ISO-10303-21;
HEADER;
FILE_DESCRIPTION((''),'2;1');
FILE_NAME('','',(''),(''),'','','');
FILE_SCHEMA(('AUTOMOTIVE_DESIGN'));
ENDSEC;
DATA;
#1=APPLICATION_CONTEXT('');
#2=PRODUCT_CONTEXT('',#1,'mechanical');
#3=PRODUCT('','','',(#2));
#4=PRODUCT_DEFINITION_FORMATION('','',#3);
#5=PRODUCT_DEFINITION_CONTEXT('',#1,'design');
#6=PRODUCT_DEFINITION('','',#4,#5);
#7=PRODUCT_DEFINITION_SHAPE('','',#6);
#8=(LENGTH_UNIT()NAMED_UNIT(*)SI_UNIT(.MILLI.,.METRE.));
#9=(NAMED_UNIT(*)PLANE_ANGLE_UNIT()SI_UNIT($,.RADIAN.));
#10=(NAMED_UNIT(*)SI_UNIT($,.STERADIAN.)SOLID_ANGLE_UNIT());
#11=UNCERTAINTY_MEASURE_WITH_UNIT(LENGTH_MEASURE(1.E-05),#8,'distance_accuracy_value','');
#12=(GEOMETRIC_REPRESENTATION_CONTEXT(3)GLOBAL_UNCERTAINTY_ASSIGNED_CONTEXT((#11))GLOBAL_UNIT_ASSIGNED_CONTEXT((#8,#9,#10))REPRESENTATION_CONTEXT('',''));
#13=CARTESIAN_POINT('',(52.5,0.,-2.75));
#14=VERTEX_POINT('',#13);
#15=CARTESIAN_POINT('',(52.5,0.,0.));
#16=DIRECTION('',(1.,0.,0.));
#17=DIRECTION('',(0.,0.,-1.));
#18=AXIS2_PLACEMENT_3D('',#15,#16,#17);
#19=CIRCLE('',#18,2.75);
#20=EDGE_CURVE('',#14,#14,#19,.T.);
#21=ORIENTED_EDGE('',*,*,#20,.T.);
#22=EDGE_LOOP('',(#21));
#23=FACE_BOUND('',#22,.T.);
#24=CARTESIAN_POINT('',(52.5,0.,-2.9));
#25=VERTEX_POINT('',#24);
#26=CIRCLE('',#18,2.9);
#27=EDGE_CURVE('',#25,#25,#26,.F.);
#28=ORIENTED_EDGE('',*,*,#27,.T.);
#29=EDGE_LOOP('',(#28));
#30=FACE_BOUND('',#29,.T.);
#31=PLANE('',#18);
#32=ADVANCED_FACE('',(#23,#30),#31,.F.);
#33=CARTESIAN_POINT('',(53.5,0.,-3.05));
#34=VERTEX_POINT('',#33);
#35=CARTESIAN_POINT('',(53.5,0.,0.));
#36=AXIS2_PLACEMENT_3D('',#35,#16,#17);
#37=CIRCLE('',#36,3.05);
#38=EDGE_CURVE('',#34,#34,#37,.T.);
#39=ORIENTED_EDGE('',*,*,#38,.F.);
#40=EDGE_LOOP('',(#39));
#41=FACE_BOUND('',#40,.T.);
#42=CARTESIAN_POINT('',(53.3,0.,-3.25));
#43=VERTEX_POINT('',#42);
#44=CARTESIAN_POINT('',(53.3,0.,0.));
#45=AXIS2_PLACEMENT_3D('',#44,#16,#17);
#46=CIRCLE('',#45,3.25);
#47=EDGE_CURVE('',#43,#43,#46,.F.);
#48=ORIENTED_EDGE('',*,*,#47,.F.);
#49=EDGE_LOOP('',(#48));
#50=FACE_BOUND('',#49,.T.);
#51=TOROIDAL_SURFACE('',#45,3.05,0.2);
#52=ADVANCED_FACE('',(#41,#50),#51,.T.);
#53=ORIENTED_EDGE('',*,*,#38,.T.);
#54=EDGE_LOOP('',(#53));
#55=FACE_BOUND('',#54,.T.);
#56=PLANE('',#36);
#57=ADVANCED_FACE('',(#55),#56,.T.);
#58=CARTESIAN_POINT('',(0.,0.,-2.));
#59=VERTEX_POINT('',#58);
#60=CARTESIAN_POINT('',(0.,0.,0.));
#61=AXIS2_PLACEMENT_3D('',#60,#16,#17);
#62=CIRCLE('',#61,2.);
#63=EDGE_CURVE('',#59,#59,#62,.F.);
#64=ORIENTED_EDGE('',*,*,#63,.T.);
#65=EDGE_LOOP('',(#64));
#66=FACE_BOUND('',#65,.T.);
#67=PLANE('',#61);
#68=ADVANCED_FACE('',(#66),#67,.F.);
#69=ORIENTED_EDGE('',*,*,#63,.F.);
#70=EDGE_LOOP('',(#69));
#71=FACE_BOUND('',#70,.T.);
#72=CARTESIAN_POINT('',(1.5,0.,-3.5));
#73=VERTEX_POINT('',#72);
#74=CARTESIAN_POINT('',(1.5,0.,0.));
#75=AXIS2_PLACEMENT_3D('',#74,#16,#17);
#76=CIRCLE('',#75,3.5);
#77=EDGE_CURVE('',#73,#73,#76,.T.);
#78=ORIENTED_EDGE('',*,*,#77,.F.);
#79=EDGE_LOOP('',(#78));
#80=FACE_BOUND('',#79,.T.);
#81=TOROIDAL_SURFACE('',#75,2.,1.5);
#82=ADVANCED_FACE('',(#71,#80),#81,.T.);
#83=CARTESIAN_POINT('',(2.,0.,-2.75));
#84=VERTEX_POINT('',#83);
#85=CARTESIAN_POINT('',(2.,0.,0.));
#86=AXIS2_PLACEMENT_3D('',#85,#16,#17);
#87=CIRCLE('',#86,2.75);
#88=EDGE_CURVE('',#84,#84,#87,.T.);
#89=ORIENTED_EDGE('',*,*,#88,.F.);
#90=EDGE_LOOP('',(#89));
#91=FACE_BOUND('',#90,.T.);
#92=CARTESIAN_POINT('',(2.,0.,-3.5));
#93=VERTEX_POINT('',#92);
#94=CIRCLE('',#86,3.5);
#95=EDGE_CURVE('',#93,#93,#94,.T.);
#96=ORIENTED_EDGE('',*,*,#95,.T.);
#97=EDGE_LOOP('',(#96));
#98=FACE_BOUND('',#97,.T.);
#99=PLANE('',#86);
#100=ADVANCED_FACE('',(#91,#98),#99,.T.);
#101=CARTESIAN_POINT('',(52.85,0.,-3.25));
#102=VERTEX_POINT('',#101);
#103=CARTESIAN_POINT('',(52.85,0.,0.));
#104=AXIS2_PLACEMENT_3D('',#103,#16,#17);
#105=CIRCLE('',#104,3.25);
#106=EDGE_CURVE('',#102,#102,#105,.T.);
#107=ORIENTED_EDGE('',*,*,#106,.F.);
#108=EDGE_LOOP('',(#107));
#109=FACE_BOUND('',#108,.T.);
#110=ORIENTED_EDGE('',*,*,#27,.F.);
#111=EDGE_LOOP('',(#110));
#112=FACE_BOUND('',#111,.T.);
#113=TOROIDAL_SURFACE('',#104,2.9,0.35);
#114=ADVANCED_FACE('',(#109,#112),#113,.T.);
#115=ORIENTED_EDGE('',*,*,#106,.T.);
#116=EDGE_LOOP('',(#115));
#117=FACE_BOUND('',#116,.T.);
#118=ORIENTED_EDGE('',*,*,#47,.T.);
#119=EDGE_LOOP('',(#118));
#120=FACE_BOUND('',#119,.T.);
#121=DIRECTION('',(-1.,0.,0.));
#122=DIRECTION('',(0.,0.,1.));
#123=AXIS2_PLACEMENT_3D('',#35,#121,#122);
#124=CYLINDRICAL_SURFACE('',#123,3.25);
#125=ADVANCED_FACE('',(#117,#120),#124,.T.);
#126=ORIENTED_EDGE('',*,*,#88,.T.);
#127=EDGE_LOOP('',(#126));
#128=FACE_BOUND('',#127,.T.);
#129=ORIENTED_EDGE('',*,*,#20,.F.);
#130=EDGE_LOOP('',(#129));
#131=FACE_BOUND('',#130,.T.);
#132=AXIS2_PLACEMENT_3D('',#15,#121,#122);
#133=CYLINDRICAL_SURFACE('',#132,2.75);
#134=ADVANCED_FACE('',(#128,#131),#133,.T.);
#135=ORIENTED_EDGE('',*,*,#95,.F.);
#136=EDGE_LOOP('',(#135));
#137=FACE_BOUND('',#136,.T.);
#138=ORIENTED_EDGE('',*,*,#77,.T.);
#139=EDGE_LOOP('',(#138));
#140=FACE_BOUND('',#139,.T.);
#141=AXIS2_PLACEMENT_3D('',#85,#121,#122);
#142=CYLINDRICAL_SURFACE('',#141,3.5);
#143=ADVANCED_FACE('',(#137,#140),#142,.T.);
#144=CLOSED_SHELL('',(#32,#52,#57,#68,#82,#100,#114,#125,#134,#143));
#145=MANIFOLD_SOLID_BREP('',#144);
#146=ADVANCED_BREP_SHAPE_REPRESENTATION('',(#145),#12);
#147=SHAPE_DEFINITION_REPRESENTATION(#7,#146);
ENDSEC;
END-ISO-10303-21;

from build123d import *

# Parameters (mm, degrees)
SKETCH1_R           = 3.5
BOSS_EXTRUDE1_DEPTH = 2
SKETCH2_R           = 2.75
BOSS_EXTRUDE2_DEPTH = 50.5
SKETCH3_R           = 3.25
BOSS_EXTRUDE3_DEPTH = 1
FILLET1_R           = 1.5
FILLET2_R           = 0.35
FILLET3_R           = 0.2


with BuildPart() as part:
    # Sketch1 → Boss-Extrude1 (new body)
    with BuildSketch(Plane(origin=(0, 0, 0), x_dir=(0, 0, -1), z_dir=(1, 0, 0))):
        Circle(SKETCH1_R)
    extrude(amount=BOSS_EXTRUDE1_DEPTH)

    # Sketch2 → Boss-Extrude2 (add)
    with BuildSketch(Plane(origin=(2, 0, 0), x_dir=(0, 0, -1), z_dir=(1, 0, 0))):
        Circle(SKETCH2_R)
    extrude(amount=BOSS_EXTRUDE2_DEPTH)

    # Sketch3 → Boss-Extrude3 (add)
    with BuildSketch(Plane(origin=(52.5, 0, 0), x_dir=(0, 0, -1), z_dir=(1, 0, 0))):
        Circle(SKETCH3_R)
    extrude(amount=BOSS_EXTRUDE3_DEPTH)

    # Fillet1
    fillet1_edges = [part.edges().sort_by_distance(p)[0] for p in [
        (0, 0, 3.5),
    ]]
    fillet(fillet1_edges, radius=FILLET1_R)

    # Fillet2
    fillet2_edges = [part.edges().sort_by_distance(p)[0] for p in [
        (52.5, 0, 3.25),
    ]]
    fillet(fillet2_edges, radius=FILLET2_R)

    # Fillet3
    fillet3_edges = [part.edges().sort_by_distance(p)[0] for p in [
        (53.5, 0, 3.25),
    ]]
    fillet(fillet3_edges, radius=FILLET3_R)


solid = part.part
